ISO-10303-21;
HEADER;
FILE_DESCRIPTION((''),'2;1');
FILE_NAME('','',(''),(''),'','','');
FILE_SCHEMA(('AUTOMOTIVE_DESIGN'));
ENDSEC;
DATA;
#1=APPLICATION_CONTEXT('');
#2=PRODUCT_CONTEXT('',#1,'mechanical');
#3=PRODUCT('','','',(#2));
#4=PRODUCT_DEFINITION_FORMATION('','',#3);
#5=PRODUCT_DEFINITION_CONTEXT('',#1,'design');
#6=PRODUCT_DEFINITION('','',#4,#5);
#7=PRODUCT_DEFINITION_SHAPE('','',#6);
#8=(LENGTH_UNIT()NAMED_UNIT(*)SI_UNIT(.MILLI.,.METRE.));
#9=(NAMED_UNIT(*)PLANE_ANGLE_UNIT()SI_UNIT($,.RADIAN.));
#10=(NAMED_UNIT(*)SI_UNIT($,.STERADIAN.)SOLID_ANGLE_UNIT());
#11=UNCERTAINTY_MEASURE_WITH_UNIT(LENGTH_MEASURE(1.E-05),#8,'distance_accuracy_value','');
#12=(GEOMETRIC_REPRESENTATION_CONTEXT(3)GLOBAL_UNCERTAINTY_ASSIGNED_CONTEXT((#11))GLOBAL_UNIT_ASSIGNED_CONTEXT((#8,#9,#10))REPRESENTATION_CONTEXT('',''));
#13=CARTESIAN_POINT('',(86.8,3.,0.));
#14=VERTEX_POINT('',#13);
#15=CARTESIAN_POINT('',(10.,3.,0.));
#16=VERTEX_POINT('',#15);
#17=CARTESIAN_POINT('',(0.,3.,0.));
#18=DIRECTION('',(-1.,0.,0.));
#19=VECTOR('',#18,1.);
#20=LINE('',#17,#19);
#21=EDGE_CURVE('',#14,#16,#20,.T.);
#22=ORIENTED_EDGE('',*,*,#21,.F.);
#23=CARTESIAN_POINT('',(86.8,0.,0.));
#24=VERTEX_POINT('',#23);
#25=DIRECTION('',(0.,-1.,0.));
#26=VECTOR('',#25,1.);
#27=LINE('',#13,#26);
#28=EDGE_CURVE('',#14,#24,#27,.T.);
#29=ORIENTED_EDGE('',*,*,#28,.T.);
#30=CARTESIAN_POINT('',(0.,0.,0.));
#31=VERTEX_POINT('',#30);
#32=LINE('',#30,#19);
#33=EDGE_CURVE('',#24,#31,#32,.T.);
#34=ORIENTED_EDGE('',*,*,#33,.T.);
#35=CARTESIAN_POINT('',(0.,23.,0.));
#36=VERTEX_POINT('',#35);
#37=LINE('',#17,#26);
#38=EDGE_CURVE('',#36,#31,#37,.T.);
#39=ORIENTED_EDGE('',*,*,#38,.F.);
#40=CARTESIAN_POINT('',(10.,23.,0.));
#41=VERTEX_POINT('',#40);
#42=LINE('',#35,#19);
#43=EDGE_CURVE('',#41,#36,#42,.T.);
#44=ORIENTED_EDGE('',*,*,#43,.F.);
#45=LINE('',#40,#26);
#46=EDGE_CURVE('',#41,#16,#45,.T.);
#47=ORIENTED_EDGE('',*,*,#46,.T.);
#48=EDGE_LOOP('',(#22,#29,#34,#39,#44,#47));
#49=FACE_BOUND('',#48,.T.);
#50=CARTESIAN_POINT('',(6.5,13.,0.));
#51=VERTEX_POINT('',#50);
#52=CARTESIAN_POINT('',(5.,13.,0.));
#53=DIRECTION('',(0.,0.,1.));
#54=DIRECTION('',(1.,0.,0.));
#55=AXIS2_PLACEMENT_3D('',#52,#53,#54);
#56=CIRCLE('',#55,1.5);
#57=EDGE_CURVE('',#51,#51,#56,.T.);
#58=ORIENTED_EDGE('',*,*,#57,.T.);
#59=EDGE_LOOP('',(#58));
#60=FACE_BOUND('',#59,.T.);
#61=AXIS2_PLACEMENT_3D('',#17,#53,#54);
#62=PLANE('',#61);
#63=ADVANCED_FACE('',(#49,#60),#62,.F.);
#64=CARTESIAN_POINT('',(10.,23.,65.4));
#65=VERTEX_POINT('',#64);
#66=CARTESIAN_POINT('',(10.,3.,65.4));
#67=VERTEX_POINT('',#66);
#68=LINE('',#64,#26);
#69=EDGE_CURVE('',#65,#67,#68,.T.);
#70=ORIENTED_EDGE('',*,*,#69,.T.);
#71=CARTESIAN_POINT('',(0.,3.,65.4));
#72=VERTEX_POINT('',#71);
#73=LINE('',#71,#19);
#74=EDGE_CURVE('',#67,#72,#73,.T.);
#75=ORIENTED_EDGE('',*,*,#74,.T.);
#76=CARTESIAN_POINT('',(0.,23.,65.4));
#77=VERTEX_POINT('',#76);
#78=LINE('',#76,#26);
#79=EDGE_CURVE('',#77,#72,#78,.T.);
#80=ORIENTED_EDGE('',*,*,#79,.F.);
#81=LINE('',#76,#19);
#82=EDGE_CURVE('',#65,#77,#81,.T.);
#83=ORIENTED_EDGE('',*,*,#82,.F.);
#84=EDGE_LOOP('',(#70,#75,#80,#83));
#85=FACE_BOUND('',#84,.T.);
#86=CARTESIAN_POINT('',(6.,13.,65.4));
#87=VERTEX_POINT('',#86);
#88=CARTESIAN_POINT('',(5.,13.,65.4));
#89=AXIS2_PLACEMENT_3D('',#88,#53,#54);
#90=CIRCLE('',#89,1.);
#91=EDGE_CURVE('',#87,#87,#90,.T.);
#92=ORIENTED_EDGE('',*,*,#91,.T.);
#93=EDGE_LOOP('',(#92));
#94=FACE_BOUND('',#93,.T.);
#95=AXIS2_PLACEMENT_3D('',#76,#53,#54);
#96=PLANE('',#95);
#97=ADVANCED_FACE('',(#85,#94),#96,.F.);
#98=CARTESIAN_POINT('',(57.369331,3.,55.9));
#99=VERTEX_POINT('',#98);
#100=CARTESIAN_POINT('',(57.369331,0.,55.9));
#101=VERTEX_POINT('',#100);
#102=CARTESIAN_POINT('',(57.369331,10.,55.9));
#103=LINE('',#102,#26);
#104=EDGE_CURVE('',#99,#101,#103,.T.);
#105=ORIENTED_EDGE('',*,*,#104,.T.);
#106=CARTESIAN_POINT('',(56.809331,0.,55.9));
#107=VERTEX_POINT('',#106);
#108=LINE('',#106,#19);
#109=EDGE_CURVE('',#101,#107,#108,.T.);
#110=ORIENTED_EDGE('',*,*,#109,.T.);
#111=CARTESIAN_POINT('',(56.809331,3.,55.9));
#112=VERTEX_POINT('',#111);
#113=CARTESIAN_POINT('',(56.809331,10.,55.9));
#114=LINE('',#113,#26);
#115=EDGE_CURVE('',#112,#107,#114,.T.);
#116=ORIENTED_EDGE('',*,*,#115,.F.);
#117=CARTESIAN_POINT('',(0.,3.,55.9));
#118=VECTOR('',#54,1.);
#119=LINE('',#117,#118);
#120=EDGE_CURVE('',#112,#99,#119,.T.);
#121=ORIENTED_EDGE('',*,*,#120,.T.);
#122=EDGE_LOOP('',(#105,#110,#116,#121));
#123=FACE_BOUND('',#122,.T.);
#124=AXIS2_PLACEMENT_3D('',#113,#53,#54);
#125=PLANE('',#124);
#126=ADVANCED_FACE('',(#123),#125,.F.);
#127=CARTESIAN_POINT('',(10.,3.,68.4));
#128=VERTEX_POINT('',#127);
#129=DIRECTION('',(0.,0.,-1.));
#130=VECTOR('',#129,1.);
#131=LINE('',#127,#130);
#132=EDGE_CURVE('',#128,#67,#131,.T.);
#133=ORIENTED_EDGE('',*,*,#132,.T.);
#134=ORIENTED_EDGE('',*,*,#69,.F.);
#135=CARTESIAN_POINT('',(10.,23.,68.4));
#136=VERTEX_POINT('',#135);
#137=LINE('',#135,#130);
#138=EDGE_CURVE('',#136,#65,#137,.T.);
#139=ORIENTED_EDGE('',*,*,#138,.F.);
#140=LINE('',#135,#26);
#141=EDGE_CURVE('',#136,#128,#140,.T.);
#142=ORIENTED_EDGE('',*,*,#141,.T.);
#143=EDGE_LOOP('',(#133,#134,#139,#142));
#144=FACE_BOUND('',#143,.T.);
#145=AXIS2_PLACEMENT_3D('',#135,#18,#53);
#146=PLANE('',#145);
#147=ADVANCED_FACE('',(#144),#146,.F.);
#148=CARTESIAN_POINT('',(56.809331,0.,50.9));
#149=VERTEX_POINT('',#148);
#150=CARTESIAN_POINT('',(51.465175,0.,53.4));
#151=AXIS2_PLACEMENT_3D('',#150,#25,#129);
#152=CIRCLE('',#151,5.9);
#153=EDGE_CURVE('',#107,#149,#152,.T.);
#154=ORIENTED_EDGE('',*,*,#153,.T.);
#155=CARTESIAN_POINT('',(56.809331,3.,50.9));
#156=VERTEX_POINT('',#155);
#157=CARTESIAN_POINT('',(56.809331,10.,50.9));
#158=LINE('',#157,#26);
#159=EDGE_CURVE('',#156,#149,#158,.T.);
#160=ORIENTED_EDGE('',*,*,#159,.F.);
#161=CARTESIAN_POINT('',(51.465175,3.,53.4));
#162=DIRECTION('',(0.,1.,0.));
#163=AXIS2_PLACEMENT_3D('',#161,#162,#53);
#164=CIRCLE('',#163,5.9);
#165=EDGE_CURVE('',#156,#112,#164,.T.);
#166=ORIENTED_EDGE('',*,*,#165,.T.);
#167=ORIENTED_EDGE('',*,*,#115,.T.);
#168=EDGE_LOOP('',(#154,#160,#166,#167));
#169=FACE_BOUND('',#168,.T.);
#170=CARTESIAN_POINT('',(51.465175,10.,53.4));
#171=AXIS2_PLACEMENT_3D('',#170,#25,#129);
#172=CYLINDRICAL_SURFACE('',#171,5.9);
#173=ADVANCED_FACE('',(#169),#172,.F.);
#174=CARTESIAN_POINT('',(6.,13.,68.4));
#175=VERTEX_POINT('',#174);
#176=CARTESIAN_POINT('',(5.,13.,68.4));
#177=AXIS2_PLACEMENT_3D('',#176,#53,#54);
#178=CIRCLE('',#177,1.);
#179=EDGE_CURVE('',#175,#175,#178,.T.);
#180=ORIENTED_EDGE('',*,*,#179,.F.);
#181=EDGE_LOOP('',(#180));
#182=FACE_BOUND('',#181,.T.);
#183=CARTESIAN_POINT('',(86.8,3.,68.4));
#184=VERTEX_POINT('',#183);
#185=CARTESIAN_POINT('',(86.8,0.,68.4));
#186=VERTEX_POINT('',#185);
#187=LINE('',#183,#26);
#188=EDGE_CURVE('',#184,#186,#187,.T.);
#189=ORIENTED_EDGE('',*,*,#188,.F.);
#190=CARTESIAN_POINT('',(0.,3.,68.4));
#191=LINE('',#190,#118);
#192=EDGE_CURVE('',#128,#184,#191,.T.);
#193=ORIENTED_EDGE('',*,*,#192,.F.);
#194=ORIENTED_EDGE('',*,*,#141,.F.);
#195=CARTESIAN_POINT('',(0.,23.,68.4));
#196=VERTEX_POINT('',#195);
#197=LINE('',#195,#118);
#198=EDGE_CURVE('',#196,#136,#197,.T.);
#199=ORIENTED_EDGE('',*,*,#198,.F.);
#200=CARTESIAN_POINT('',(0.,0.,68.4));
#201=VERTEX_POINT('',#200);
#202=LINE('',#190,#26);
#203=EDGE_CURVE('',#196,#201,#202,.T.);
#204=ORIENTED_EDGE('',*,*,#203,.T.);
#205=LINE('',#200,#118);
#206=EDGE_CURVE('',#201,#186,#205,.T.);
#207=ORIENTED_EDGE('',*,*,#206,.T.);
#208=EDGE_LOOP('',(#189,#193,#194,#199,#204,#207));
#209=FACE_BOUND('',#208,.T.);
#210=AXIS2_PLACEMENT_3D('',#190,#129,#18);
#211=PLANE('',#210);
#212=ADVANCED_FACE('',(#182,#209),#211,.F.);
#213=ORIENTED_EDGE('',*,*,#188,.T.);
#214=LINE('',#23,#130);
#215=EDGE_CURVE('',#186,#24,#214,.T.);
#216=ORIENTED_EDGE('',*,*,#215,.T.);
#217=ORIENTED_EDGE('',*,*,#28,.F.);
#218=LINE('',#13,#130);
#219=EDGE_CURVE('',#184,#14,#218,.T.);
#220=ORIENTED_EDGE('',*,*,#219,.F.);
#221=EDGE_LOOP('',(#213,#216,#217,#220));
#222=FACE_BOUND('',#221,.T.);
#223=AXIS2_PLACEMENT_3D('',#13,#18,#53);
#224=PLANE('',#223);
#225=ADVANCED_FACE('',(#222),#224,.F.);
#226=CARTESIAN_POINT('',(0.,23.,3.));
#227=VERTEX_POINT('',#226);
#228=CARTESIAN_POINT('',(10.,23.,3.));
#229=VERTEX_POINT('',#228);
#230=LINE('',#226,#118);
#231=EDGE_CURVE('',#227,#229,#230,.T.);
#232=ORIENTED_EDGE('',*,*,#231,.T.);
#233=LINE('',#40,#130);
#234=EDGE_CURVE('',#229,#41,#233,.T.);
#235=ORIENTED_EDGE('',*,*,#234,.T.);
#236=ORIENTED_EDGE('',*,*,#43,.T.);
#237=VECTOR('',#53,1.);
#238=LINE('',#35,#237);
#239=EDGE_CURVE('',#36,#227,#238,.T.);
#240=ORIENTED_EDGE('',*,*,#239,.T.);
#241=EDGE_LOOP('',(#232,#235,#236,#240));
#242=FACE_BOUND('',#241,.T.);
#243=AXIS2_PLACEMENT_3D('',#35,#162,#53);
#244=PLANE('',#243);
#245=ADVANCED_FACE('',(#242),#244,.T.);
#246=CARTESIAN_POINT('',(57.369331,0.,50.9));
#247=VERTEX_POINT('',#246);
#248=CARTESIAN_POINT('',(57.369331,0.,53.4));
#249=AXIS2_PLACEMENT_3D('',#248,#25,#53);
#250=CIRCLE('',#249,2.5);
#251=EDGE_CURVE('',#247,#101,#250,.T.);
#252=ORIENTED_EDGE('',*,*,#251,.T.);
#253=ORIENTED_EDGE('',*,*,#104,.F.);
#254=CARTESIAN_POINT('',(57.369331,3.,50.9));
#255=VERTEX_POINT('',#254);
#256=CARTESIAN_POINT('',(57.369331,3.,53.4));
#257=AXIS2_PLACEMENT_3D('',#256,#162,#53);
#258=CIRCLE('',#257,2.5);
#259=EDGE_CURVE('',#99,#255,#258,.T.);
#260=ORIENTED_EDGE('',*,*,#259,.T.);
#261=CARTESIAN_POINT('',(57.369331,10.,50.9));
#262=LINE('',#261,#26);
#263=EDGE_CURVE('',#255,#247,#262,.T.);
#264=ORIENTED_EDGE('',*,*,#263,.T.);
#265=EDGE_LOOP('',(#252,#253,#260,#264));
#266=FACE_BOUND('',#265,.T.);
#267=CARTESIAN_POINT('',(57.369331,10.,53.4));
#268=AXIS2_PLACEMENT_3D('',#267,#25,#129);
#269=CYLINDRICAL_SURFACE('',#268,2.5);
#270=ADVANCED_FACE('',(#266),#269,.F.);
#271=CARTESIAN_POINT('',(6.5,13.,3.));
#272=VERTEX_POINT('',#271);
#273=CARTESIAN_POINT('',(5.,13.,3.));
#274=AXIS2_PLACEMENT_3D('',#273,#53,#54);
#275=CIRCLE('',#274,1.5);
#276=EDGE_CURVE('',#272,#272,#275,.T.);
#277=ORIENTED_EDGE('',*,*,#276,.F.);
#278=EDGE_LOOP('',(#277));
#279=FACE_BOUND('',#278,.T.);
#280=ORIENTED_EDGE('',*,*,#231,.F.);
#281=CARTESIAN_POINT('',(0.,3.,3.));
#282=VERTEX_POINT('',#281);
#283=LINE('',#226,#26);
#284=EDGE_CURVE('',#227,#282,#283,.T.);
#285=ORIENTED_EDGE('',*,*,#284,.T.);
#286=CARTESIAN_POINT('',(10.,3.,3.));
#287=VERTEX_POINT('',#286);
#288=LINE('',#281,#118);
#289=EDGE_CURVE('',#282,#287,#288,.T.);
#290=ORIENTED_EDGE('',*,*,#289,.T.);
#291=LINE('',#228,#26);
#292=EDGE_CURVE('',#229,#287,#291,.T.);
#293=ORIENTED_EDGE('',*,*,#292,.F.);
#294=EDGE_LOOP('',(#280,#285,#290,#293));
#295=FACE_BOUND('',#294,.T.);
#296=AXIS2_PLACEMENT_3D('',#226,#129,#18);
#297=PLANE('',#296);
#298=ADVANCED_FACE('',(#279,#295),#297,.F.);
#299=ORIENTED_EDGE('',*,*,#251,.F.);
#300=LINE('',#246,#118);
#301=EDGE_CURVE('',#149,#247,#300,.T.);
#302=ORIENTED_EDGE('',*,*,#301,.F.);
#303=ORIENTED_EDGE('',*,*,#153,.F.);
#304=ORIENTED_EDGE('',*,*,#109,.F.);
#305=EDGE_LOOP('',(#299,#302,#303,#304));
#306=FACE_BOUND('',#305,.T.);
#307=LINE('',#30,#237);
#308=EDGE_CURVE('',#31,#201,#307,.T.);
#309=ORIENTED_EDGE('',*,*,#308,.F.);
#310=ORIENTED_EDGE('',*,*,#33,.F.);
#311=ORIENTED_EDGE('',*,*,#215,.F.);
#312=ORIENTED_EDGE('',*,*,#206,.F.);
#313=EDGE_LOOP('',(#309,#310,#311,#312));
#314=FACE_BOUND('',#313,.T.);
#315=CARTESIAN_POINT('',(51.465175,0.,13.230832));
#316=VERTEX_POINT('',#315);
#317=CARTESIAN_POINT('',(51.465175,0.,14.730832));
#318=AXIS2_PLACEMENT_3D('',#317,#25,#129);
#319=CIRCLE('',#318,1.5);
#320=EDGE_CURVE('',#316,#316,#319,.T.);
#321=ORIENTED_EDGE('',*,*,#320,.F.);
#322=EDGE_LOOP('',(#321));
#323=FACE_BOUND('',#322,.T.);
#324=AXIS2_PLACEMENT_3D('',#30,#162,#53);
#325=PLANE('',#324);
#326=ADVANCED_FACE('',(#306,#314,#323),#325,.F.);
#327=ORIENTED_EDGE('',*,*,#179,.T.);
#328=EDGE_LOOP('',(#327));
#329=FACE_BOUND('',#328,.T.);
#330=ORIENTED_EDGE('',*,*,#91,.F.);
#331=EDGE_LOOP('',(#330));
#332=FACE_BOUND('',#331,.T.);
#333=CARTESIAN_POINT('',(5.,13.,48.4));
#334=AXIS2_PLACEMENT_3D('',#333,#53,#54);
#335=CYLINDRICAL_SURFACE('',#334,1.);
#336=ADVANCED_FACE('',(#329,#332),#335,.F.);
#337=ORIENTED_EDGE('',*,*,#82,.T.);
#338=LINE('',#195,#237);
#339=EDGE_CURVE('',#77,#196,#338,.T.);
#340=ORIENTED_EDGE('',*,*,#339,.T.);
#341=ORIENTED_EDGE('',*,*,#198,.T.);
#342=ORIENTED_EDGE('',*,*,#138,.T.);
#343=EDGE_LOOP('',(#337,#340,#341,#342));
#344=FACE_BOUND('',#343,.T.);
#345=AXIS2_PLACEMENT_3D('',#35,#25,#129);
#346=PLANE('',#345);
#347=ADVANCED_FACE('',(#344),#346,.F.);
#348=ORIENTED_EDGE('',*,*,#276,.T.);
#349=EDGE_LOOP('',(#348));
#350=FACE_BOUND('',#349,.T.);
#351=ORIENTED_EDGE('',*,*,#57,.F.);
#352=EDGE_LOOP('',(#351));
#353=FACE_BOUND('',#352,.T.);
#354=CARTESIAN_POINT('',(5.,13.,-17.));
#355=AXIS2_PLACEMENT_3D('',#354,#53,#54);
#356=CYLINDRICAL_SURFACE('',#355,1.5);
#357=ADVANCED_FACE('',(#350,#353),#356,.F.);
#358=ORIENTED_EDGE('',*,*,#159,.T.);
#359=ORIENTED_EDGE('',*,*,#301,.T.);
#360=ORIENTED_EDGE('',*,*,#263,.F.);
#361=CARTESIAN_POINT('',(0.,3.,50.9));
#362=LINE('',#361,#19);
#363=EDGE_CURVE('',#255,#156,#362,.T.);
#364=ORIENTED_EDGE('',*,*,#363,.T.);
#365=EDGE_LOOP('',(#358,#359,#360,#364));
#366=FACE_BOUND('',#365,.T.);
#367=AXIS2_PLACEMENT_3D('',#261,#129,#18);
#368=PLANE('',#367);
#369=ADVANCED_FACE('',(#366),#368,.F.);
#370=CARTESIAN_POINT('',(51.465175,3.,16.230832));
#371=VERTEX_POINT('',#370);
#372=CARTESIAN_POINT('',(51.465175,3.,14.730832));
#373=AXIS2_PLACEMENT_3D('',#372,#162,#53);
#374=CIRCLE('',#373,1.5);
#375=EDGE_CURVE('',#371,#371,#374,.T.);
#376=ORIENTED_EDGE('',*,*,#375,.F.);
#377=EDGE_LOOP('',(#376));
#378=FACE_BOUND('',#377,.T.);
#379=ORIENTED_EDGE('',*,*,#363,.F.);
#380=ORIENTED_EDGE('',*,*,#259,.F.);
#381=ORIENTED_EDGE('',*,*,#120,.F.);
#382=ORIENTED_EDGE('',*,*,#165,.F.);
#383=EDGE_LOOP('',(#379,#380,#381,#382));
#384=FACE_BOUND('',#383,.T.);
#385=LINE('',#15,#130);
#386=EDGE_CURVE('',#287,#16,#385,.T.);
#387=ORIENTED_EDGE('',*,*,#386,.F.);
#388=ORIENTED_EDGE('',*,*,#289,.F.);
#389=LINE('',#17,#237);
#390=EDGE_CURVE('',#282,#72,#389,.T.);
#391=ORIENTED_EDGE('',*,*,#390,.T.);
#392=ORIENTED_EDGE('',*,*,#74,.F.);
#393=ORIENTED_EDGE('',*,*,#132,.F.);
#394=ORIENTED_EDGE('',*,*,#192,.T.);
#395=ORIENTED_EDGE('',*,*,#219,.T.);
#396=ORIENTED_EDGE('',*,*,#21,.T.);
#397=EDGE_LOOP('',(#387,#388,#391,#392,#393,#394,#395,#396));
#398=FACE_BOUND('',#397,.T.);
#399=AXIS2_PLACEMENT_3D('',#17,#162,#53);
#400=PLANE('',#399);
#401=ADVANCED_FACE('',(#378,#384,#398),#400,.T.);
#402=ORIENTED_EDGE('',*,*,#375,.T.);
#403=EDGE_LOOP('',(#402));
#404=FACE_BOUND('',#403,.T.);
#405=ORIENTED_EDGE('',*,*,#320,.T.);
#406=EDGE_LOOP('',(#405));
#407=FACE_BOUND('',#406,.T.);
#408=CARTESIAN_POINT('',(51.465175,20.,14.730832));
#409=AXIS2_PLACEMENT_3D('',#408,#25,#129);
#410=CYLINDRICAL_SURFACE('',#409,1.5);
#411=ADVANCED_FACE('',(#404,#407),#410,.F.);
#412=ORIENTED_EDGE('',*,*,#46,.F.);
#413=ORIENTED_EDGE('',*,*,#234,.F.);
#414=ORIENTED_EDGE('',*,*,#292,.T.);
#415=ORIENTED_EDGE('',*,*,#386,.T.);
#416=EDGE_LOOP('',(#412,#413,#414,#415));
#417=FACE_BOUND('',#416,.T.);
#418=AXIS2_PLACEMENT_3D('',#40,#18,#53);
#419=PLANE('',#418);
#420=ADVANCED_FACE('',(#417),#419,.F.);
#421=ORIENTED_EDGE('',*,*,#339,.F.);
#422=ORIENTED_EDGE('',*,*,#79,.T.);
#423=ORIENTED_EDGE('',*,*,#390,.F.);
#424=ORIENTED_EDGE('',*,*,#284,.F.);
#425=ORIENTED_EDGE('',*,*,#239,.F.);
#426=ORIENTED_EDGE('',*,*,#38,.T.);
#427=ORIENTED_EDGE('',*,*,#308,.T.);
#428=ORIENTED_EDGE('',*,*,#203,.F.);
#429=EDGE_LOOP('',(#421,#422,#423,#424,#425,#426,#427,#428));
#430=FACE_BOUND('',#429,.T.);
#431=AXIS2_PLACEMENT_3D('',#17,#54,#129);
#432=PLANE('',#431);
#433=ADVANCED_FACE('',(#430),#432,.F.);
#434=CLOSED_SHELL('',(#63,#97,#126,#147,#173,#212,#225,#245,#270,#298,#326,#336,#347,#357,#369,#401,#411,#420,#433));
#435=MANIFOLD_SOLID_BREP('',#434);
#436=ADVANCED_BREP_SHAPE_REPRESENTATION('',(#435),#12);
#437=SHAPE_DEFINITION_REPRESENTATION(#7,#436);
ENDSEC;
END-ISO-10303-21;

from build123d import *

# Parameters (mm, degrees)
SKETCH1_W           = 86.8
SKETCH1_H           = 68.4
BOSS_EXTRUDE1_DEPTH = 3
SKETCH2_W           = 10
SKETCH2_H           = 3
BOSS_EXTRUDE2_DEPTH = 20
SKETCH3_W           = 10
SKETCH3_H           = 3
BOSS_EXTRUDE3_DEPTH = 20
SKETCH4_R           = 1
CUT_EXTRUDE1_DEPTH  = 20
SKETCH5_R           = 1.5
CUT_EXTRUDE2_DEPTH  = 20
SKETCH8_R           = 1.5
CUT_EXTRUDE3_DEPTH  = 20
CUT_EXTRUDE4_DEPTH  = 10


with BuildPart() as part:
    # Sketch1 → Boss-Extrude1 (new body)
    with BuildSketch(Plane(origin=(0, 0, 0), x_dir=(1, 0, 0), z_dir=(0, 1, 0))):
        with Locations((43.4, -34.2)):
            Rectangle(SKETCH1_W, SKETCH1_H)
    extrude(amount=BOSS_EXTRUDE1_DEPTH)

    # Sketch2 → Boss-Extrude2 (add)
    with BuildSketch(Plane(origin=(0, 3, 0), x_dir=(1, 0, 0), z_dir=(0, 1, 0))):
        with Locations((5, -66.9)):
            Rectangle(SKETCH2_W, SKETCH2_H)
    extrude(amount=BOSS_EXTRUDE2_DEPTH)

    # Sketch3 → Boss-Extrude3 (add)
    with BuildSketch(Plane(origin=(0, 3, 0), x_dir=(1, 0, 0), z_dir=(0, 1, 0))):
        with Locations((5, -1.5)):
            Rectangle(SKETCH3_W, SKETCH3_H)
    extrude(amount=BOSS_EXTRUDE3_DEPTH)

    # Sketch4 → Cut-Extrude1 (cut)
    with BuildSketch(Plane.XY.offset(68.4)):
        with Locations((5, 13)):
            Circle(SKETCH4_R)
    extrude(amount=-CUT_EXTRUDE1_DEPTH, mode=Mode.SUBTRACT)

    # Sketch5 → Cut-Extrude2 (cut)
    with BuildSketch(Plane.XY.offset(3)):
        with Locations((5, 13)):
            Circle(SKETCH5_R)
    extrude(amount=-CUT_EXTRUDE2_DEPTH, mode=Mode.SUBTRACT)

    # Sketch8 → Cut-Extrude3 (cut)
    with BuildSketch(Plane.XZ):
        with Locations(Location((51.465174946, 53.4, 0), (0, 0, 270))):
            Circle(SKETCH8_R)
        with Locations(Location((51.465174946, 14.730831909, 0), (0, 0, 270))):
            Circle(SKETCH8_R)
    extrude(amount=-CUT_EXTRUDE3_DEPTH, mode=Mode.SUBTRACT)

    # Sketch9 → Cut-Extrude4 (cut)
    with BuildSketch(Plane.XZ):
        with BuildLine():
            Line((56.809330632, 55.9), (57.369330632, 55.9))
            ThreePointArc((57.369330632, 55.9), (59.869330632, 53.4), (57.369330632, 50.9))
            Line((57.369330632, 50.9), (56.809330632, 50.9))
            ThreePointArc((56.809330632, 50.9), (45.565174946, 53.4), (56.809330632, 55.9))
        make_face()
    extrude(amount=-CUT_EXTRUDE4_DEPTH, mode=Mode.SUBTRACT)


solid = part.part
